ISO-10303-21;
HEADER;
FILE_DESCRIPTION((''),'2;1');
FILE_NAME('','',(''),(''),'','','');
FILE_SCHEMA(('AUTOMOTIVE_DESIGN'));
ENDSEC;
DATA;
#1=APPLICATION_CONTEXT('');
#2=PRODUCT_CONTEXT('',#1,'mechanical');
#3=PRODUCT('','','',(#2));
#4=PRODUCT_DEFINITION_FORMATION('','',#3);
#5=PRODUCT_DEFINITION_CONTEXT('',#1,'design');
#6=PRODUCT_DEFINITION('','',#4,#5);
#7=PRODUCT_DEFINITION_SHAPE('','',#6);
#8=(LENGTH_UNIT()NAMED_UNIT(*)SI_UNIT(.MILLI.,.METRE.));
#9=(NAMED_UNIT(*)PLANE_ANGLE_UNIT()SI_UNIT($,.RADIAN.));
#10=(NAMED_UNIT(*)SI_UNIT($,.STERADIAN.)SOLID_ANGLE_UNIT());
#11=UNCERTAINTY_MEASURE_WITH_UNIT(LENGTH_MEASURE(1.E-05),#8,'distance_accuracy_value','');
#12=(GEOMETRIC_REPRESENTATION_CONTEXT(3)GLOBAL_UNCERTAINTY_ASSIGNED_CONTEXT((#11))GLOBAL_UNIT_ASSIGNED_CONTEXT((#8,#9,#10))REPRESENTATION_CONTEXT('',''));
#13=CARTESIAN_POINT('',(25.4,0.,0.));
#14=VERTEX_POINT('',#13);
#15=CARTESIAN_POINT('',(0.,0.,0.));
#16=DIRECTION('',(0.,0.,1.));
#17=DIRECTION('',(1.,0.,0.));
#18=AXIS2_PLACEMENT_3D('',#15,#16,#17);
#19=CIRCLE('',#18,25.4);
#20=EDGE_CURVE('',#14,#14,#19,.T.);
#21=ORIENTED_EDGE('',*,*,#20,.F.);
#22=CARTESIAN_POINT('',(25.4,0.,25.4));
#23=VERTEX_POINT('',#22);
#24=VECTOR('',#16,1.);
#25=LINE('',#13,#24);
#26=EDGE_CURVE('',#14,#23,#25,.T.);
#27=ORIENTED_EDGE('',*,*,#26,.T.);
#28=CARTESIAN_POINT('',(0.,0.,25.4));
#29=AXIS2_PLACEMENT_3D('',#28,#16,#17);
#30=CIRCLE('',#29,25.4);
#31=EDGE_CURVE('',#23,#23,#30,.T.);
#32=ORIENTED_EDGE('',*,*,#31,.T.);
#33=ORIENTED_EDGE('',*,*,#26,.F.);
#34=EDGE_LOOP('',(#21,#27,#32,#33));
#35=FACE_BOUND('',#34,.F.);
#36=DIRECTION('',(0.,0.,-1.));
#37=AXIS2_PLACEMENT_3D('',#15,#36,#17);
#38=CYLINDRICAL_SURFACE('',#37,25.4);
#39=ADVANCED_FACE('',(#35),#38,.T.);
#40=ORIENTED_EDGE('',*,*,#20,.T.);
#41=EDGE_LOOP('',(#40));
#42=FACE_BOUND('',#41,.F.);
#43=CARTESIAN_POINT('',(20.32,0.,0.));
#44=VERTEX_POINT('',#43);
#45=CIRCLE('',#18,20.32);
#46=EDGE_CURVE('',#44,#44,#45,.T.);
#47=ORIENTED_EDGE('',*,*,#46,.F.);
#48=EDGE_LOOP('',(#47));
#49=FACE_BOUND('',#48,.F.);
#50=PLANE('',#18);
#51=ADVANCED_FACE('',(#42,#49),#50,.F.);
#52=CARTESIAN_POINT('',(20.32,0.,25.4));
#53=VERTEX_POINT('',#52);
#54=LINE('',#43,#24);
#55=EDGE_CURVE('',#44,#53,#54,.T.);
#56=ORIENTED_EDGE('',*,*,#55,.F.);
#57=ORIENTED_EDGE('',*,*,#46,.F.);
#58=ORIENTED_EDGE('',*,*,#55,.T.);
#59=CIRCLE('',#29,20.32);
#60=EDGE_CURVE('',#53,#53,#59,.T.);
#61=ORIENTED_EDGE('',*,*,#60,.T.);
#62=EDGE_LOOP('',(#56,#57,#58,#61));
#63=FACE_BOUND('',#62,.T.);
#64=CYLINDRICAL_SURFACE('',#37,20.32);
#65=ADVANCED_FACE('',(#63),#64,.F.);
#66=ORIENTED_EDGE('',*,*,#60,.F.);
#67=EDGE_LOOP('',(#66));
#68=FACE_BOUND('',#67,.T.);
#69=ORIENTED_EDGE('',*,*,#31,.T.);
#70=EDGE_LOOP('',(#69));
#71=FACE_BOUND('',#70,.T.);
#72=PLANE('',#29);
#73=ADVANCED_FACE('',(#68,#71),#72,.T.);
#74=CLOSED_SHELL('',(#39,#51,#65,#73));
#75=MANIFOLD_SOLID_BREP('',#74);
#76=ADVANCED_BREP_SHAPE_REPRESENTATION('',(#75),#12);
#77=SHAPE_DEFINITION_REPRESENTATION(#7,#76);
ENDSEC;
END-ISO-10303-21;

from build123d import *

# Parameters (mm, degrees)
SKETCH_R   = 25.4
SKETCH_R_2 = 20.32
PAD_DEPTH  = 25.4


with BuildPart() as part:
    # Sketch → Pad (new body)
    with BuildSketch(Plane.XY):
        Circle(SKETCH_R)
        Circle(SKETCH_R_2, mode=Mode.SUBTRACT)
    extrude(amount=PAD_DEPTH)


solid = part.part
